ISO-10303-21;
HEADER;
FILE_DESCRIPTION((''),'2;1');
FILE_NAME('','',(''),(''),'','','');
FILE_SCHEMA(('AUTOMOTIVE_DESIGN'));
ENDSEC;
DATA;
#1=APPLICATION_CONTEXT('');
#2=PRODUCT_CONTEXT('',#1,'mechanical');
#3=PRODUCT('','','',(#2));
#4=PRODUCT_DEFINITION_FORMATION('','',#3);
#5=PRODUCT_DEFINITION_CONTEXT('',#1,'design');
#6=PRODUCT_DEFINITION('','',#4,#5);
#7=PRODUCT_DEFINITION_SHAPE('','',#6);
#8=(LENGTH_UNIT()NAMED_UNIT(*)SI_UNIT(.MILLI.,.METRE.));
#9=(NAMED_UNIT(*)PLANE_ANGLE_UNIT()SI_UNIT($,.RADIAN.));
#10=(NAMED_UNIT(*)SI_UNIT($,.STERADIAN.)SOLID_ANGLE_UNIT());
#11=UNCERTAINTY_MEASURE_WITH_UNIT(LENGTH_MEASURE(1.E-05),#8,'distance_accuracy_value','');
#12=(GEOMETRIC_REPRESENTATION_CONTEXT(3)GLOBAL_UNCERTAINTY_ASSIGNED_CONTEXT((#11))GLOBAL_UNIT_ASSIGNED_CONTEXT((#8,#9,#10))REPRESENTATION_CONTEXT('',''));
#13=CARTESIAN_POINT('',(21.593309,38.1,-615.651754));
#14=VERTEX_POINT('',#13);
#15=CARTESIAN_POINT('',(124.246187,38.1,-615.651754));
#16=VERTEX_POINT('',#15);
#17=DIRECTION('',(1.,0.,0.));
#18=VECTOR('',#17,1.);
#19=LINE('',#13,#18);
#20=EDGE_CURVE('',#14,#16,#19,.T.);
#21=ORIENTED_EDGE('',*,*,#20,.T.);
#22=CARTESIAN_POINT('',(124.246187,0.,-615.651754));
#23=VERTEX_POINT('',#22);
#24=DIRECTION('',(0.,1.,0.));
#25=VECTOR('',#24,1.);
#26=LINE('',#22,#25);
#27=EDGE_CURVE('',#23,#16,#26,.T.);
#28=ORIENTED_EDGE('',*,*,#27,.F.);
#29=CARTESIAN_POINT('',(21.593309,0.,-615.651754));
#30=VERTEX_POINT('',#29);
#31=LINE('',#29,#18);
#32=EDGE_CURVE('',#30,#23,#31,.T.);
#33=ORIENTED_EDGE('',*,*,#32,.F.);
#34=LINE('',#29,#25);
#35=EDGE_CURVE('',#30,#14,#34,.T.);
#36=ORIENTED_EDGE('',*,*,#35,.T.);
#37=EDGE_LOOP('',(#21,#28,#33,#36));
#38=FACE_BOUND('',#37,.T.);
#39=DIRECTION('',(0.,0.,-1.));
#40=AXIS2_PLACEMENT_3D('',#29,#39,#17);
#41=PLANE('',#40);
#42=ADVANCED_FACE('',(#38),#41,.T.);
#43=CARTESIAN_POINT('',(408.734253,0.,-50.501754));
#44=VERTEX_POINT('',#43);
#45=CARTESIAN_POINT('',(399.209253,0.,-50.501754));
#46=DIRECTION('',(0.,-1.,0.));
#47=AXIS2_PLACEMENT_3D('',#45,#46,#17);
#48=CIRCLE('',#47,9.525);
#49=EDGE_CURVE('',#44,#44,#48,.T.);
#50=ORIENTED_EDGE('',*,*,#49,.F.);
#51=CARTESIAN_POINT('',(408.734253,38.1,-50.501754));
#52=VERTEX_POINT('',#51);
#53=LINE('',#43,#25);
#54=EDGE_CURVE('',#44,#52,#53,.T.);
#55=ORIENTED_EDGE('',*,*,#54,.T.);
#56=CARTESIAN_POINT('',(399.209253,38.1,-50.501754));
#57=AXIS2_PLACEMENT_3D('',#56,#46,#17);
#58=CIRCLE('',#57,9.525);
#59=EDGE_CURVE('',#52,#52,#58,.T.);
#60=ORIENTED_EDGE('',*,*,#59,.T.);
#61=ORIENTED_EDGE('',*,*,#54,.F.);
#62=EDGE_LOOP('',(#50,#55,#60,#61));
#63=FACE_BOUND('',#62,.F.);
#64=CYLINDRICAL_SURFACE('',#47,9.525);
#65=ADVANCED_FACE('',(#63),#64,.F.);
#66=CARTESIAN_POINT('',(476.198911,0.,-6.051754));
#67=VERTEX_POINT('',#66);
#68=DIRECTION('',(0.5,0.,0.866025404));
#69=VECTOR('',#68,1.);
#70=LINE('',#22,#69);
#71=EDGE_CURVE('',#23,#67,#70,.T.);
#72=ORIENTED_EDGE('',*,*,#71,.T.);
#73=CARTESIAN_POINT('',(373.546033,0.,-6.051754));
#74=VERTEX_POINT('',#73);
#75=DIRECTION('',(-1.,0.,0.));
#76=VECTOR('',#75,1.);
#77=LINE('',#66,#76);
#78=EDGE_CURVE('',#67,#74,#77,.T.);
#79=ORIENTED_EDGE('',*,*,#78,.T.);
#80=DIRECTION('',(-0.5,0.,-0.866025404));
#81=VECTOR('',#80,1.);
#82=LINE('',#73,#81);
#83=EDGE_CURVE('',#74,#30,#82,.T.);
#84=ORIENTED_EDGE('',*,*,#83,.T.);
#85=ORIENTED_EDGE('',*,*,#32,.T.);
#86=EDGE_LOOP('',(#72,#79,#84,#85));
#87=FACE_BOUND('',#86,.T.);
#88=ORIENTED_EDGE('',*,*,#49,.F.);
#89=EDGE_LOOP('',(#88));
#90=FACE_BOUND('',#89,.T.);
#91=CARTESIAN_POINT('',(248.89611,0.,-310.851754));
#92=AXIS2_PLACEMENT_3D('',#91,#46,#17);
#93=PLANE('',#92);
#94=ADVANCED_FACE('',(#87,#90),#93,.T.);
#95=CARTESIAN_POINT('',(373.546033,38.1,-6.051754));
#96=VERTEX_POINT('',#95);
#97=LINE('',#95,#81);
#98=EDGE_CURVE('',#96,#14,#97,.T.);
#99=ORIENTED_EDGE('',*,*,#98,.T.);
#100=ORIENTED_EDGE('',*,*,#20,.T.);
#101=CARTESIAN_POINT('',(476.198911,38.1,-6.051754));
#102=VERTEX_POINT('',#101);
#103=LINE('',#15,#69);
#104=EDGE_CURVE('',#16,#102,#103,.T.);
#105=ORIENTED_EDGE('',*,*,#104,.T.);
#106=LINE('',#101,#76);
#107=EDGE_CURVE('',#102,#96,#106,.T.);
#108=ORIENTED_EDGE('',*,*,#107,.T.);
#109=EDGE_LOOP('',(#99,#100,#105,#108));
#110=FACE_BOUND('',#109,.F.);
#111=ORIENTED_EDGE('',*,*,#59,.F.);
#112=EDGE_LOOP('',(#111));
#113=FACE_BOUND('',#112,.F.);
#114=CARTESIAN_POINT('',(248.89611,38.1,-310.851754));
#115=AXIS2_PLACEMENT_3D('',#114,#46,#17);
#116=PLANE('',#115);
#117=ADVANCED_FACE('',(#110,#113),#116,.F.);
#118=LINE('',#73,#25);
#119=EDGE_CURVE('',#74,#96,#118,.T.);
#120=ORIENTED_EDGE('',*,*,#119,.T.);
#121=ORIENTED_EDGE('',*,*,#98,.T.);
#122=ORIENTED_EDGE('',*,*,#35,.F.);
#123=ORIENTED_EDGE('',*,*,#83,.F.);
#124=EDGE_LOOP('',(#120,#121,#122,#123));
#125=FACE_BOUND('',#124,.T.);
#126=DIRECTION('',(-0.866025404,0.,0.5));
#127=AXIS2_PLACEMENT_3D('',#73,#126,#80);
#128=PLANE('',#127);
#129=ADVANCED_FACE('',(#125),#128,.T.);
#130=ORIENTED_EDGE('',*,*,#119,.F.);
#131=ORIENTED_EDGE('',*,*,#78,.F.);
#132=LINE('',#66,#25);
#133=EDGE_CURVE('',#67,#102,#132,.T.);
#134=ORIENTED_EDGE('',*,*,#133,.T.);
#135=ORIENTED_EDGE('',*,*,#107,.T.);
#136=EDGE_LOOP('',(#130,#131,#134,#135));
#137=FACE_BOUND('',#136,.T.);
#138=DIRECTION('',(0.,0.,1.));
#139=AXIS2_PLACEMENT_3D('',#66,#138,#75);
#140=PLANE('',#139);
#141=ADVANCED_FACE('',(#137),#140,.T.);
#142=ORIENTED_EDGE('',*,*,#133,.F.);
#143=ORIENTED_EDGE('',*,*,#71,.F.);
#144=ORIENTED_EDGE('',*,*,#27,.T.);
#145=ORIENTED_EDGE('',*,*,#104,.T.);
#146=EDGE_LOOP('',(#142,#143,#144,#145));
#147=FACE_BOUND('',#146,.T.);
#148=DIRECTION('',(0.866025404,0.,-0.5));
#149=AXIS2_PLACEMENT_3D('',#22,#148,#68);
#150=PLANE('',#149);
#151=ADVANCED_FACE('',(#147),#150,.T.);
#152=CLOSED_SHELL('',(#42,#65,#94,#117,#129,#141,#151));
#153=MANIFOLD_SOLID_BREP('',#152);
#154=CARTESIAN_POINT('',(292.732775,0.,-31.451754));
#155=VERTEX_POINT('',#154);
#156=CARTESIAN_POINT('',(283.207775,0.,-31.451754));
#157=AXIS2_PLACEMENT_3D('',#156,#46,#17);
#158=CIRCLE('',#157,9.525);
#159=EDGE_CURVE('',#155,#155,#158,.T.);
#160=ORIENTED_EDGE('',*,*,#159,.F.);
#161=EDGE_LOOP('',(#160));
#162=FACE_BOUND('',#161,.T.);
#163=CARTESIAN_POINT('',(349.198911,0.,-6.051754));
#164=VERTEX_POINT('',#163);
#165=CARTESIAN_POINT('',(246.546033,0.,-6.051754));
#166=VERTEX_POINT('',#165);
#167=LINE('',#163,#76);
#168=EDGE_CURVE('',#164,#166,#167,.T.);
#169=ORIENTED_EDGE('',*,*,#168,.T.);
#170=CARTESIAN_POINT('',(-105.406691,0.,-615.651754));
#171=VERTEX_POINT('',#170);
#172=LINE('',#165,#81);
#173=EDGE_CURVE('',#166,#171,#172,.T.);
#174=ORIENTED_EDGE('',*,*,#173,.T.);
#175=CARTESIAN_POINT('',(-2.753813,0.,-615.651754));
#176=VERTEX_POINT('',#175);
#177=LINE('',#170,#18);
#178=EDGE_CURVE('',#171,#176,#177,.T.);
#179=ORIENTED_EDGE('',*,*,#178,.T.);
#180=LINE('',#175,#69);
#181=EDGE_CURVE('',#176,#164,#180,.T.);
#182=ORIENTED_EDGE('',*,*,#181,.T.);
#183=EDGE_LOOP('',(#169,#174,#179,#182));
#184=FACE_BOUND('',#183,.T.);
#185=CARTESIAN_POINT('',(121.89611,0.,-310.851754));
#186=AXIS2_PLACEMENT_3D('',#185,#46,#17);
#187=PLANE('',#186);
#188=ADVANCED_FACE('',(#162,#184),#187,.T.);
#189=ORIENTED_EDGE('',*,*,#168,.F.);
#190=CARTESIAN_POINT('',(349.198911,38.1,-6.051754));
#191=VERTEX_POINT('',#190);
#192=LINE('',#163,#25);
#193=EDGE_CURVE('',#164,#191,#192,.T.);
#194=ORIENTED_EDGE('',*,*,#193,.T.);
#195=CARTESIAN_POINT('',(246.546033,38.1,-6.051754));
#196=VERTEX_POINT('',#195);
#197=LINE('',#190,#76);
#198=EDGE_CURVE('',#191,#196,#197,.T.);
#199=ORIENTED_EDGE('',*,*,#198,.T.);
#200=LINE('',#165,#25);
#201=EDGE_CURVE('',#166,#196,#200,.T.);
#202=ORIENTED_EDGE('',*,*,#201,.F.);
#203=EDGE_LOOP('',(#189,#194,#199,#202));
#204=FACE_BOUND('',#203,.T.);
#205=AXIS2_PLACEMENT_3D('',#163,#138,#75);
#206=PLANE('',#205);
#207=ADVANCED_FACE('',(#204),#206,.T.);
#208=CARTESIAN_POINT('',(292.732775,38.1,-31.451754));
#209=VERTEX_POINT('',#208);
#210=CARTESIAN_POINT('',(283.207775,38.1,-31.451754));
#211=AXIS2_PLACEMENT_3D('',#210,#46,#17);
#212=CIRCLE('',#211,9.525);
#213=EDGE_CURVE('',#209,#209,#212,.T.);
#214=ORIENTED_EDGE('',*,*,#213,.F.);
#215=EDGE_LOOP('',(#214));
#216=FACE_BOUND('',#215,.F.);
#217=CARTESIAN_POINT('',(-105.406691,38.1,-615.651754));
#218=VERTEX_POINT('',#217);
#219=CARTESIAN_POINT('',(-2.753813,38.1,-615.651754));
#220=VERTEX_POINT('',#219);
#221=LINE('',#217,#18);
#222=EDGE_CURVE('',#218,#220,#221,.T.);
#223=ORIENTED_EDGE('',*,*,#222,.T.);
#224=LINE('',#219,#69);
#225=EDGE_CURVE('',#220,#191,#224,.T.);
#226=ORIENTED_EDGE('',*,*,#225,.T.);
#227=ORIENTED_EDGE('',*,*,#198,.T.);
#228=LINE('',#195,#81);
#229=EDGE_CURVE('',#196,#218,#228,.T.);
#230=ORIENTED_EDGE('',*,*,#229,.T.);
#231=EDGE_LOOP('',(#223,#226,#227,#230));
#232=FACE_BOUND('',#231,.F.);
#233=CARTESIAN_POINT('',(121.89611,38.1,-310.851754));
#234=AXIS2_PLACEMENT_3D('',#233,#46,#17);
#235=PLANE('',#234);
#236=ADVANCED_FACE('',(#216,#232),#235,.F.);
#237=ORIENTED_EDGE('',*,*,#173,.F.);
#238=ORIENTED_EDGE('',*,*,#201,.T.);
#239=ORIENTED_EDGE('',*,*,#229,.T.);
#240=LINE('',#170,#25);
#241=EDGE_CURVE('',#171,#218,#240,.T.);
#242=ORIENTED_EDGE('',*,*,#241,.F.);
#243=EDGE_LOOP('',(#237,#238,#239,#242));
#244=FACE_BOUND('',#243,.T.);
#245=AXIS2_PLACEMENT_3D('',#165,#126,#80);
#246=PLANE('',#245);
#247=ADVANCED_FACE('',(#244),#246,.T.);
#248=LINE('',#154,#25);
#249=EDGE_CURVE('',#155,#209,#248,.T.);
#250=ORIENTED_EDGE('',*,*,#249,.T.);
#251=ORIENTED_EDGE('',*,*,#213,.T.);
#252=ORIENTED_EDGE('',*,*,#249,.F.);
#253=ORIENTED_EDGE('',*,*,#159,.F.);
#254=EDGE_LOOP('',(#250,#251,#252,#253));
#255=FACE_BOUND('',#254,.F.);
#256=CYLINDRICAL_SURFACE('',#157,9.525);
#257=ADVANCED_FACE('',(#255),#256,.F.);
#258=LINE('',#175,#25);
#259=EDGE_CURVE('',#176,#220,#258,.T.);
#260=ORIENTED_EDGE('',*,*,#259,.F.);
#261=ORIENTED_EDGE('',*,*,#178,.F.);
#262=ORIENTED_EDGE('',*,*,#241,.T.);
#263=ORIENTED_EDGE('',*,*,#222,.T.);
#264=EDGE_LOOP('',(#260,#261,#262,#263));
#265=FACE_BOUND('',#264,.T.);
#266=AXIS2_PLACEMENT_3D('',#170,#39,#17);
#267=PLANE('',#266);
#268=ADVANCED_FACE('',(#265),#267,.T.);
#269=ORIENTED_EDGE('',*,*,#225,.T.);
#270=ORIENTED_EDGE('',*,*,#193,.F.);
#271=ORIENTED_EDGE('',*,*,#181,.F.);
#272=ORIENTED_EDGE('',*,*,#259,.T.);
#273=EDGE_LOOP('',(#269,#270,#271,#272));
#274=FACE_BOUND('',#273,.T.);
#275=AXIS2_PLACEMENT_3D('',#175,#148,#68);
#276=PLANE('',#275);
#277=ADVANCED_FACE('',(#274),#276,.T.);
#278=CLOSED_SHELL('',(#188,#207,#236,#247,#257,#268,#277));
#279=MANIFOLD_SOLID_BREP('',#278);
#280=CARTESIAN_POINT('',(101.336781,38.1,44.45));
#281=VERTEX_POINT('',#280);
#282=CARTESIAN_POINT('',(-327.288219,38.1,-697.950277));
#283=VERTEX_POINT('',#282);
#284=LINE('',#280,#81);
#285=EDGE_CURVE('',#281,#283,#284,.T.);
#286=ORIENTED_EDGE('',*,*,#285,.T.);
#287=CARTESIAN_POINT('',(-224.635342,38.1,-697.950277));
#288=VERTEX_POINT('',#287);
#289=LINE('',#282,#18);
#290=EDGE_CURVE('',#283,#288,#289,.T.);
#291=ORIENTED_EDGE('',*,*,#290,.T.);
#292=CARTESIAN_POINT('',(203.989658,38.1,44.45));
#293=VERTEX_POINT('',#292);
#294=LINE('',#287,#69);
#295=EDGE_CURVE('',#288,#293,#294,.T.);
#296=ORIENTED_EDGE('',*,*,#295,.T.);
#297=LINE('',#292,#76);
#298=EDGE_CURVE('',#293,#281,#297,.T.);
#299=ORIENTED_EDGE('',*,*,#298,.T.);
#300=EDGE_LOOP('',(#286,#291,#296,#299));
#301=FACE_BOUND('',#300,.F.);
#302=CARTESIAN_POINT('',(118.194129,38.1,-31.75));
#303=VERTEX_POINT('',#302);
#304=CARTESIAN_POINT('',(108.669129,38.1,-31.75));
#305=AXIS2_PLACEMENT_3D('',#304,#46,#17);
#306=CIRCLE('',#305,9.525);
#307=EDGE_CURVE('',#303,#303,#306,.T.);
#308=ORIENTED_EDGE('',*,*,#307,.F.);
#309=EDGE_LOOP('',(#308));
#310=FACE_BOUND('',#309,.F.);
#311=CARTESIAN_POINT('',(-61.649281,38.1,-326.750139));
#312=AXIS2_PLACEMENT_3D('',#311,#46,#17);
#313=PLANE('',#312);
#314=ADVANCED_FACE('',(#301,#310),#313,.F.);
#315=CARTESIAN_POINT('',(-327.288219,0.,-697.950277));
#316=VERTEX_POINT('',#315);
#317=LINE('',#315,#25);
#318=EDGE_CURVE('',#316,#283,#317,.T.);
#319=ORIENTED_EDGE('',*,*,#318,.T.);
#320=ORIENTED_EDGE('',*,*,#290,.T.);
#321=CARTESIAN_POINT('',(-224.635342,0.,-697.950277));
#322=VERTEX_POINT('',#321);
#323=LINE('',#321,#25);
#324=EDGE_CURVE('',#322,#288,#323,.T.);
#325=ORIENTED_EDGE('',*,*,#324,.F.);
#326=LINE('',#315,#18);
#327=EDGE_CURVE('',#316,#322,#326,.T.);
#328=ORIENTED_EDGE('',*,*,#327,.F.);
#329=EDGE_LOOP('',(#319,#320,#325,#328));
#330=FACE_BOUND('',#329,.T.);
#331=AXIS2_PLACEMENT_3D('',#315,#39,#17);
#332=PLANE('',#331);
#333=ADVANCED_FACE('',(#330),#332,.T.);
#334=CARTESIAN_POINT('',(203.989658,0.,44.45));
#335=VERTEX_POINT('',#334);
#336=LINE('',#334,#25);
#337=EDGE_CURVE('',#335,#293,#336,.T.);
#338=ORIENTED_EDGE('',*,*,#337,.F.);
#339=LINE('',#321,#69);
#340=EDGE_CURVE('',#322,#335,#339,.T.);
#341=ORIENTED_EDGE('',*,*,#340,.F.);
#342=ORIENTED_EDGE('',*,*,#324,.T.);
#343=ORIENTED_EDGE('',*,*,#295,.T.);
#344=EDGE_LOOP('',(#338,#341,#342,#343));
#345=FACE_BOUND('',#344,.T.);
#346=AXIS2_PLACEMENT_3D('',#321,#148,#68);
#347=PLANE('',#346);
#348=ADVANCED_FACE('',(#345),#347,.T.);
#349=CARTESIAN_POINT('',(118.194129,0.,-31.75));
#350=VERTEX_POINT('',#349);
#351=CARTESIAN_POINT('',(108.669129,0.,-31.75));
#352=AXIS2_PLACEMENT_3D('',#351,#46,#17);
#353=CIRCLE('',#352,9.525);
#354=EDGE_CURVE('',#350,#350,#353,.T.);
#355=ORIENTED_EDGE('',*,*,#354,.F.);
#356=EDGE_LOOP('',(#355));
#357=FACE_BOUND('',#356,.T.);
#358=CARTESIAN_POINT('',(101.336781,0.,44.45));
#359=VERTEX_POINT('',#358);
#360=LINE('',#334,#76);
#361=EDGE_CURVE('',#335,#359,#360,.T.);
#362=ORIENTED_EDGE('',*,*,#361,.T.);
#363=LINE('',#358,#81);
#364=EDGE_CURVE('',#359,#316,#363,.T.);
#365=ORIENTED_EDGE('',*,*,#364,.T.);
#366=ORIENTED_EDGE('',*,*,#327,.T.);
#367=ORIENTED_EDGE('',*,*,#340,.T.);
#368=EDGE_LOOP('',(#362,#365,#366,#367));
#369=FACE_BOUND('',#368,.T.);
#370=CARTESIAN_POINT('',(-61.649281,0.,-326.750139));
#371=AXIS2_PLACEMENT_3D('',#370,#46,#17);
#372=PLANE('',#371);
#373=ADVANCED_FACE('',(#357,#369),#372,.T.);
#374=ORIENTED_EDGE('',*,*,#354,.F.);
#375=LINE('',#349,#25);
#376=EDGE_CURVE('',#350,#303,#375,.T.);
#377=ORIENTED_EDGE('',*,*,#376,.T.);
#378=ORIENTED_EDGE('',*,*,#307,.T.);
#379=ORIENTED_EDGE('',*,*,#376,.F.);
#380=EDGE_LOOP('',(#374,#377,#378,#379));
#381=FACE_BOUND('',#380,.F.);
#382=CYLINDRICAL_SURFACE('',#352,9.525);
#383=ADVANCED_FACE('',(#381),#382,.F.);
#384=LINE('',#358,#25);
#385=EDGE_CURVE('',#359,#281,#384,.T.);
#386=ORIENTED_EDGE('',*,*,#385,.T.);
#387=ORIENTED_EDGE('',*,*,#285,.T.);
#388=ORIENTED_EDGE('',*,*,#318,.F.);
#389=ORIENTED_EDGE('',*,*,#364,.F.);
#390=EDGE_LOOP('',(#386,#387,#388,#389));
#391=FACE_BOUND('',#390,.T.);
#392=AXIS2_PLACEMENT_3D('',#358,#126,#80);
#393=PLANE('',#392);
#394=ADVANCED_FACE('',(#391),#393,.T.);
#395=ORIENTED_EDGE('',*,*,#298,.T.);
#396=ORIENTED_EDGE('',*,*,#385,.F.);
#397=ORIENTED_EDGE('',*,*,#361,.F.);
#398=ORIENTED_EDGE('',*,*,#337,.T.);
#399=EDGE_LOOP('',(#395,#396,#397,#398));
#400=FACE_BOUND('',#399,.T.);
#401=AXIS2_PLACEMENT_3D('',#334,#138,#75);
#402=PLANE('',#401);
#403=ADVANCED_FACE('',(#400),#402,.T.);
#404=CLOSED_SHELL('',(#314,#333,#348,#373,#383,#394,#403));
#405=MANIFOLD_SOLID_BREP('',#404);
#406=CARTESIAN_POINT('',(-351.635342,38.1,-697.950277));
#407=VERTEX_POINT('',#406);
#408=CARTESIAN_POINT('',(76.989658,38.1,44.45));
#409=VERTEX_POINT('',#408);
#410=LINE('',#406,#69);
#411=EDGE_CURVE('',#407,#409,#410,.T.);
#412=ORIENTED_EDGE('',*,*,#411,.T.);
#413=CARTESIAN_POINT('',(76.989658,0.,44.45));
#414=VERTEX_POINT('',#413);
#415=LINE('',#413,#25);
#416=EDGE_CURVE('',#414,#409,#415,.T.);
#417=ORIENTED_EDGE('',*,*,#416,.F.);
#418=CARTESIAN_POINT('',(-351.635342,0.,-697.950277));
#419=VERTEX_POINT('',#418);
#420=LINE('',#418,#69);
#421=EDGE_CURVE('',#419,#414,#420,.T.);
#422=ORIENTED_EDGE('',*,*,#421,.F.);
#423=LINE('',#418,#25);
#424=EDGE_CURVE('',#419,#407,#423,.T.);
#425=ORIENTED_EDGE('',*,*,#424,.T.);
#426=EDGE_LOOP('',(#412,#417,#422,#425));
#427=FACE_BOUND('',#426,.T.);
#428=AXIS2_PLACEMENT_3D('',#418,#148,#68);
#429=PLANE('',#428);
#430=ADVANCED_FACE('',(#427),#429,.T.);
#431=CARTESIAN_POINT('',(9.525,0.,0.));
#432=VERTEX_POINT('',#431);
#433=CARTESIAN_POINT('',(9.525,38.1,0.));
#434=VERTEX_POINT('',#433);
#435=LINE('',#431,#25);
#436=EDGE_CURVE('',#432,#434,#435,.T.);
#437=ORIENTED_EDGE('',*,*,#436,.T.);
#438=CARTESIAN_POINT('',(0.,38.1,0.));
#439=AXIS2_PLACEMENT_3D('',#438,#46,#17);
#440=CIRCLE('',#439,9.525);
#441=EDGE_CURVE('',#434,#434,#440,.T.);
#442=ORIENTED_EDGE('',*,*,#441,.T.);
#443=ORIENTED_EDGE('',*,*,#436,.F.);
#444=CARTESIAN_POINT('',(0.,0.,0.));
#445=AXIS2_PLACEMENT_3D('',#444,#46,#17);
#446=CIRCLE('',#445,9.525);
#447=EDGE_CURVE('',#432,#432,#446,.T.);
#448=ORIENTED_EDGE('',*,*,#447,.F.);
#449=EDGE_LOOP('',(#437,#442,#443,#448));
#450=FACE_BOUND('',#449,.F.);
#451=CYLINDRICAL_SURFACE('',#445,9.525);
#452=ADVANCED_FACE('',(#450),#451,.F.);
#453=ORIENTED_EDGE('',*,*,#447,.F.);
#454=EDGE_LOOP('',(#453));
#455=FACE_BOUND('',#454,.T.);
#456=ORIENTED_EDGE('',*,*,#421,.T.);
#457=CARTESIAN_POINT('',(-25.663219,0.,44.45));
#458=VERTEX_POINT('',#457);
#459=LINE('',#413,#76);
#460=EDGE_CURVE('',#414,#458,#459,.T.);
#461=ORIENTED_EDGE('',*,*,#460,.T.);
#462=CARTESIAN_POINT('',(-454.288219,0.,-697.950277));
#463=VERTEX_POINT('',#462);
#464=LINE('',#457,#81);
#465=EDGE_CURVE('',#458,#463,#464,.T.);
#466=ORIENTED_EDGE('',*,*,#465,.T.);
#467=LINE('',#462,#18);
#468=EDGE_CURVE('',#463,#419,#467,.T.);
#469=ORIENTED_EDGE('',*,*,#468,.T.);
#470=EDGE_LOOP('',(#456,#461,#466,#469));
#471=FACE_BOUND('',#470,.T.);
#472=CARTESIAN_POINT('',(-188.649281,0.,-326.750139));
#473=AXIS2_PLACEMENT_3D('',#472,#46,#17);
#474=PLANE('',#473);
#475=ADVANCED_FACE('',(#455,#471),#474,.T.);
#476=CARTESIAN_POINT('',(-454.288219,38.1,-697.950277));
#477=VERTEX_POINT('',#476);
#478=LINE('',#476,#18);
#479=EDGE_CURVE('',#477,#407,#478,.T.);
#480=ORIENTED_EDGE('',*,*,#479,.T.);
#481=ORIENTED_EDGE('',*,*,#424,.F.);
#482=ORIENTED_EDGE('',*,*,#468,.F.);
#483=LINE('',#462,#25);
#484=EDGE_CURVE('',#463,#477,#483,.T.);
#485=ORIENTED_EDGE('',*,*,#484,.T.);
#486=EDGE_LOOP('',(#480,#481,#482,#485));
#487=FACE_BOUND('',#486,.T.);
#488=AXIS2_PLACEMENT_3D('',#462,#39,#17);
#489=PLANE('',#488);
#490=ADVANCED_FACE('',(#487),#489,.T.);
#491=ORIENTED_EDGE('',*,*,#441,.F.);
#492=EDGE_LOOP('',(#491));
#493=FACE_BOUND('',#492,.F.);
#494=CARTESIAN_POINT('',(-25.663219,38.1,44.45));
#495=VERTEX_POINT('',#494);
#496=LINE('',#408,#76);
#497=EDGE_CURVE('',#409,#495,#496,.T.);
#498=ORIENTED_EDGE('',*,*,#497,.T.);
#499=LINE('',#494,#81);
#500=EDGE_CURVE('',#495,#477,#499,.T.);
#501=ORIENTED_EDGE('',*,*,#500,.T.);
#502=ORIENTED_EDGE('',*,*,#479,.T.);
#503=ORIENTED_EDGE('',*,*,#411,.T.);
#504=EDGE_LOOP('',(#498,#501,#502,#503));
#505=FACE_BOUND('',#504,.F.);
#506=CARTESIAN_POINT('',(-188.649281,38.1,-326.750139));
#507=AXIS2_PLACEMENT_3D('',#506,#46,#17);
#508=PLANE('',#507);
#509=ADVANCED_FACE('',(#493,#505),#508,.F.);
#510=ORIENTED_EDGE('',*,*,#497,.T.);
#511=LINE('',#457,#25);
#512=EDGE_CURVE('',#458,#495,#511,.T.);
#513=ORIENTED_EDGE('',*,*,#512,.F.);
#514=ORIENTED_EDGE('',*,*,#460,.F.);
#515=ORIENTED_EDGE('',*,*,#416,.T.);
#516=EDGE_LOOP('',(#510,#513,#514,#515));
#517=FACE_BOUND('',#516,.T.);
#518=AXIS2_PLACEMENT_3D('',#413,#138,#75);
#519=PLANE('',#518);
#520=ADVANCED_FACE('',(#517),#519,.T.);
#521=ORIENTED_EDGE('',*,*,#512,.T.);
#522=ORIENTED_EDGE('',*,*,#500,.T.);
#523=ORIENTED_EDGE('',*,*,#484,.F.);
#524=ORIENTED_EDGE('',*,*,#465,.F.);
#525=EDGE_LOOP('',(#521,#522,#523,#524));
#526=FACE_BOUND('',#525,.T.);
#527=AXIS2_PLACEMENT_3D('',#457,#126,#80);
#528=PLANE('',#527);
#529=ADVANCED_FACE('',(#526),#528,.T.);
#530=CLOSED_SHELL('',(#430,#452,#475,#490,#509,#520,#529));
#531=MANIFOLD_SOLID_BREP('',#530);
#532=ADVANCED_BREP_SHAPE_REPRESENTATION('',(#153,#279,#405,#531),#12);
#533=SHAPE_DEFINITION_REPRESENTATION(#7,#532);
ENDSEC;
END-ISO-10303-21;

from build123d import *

# Parameters (mm, degrees)
F0_R      = 9.525
F1_DEPTH  = 38.1
F3_DEPTH  = 38.1
F4_R      = 9.525
F5_DEPTH  = 38.1
F6_R      = 9.525
F7_DEPTH  = 38.1
F9_DEPTH  = 38.1
F10_R     = 9.525
F11_DEPTH = 38.1


with BuildPart() as f1:
    # F0 (on Front) → F1 (new body)
    with BuildSketch(Plane.XZ):
        Polygon((-25.6632194655, 44.45), (-454.2882194655, -697.9502773942), (-351.6353416036, -697.9502773942), (76.9896583964, 44.45), align=None)
        Circle(F0_R, mode=Mode.SUBTRACT)
        Circle(F0_R)
    extrude(amount=-F1_DEPTH)


with BuildPart() as f2_1:
    # F2: copy of F1
    add(f1.part.moved(Location((127, 0, 0))))

    # F4 (on face) → F5 (cut)
    with BuildSketch(Plane.XZ):
        with Locations((108.6691289532, -31.75)):
            Circle(F4_R)
    extrude(amount=-F5_DEPTH, mode=Mode.SUBTRACT)


with BuildPart() as f1_1:
    add(f1.part)

    # F0 (on Front) → F3 (cut, through all)
    with BuildSketch(Plane.XZ):
        Circle(F0_R)
    extrude(amount=-F3_DEPTH, mode=Mode.SUBTRACT)


with BuildPart() as f7:
    # F6 (on Front) → F7 (new body)
    with BuildSketch(Plane.XZ):
        Polygon((246.5460331716, -6.0517536146), (-105.4066909264, -615.6517536146), (-2.7538130645, -615.6517536146), (349.1989110335, -6.0517536146), align=None)
        with Locations((283.2077752651, -31.4517536146)):
            Circle(F6_R, mode=Mode.SUBTRACT)
        with Locations((283.2077752651, -31.4517536146)):
            Circle(F6_R)
    extrude(amount=-F7_DEPTH)


with BuildPart() as f8_1:
    # F8: copy of F7
    add(f7.part.moved(Location((127, 0, 0))))

    # F10 (on face) → F11 (cut)
    with BuildSketch(Plane.XZ):
        with Locations((399.2092526371, -50.5017536146)):
            Circle(F10_R)
    extrude(amount=-F11_DEPTH, mode=Mode.SUBTRACT)


with BuildPart() as f7_1:
    add(f7.part)

    # F6 (on Front) → F9 (cut)
    with BuildSketch(Plane.XZ):
        with Locations((283.2077752651, -31.4517536146)):
            Circle(F6_R)
    extrude(amount=-F9_DEPTH, mode=Mode.SUBTRACT)


solid = Compound([f2_1.part, f1_1.part, f8_1.part, f7_1.part])
